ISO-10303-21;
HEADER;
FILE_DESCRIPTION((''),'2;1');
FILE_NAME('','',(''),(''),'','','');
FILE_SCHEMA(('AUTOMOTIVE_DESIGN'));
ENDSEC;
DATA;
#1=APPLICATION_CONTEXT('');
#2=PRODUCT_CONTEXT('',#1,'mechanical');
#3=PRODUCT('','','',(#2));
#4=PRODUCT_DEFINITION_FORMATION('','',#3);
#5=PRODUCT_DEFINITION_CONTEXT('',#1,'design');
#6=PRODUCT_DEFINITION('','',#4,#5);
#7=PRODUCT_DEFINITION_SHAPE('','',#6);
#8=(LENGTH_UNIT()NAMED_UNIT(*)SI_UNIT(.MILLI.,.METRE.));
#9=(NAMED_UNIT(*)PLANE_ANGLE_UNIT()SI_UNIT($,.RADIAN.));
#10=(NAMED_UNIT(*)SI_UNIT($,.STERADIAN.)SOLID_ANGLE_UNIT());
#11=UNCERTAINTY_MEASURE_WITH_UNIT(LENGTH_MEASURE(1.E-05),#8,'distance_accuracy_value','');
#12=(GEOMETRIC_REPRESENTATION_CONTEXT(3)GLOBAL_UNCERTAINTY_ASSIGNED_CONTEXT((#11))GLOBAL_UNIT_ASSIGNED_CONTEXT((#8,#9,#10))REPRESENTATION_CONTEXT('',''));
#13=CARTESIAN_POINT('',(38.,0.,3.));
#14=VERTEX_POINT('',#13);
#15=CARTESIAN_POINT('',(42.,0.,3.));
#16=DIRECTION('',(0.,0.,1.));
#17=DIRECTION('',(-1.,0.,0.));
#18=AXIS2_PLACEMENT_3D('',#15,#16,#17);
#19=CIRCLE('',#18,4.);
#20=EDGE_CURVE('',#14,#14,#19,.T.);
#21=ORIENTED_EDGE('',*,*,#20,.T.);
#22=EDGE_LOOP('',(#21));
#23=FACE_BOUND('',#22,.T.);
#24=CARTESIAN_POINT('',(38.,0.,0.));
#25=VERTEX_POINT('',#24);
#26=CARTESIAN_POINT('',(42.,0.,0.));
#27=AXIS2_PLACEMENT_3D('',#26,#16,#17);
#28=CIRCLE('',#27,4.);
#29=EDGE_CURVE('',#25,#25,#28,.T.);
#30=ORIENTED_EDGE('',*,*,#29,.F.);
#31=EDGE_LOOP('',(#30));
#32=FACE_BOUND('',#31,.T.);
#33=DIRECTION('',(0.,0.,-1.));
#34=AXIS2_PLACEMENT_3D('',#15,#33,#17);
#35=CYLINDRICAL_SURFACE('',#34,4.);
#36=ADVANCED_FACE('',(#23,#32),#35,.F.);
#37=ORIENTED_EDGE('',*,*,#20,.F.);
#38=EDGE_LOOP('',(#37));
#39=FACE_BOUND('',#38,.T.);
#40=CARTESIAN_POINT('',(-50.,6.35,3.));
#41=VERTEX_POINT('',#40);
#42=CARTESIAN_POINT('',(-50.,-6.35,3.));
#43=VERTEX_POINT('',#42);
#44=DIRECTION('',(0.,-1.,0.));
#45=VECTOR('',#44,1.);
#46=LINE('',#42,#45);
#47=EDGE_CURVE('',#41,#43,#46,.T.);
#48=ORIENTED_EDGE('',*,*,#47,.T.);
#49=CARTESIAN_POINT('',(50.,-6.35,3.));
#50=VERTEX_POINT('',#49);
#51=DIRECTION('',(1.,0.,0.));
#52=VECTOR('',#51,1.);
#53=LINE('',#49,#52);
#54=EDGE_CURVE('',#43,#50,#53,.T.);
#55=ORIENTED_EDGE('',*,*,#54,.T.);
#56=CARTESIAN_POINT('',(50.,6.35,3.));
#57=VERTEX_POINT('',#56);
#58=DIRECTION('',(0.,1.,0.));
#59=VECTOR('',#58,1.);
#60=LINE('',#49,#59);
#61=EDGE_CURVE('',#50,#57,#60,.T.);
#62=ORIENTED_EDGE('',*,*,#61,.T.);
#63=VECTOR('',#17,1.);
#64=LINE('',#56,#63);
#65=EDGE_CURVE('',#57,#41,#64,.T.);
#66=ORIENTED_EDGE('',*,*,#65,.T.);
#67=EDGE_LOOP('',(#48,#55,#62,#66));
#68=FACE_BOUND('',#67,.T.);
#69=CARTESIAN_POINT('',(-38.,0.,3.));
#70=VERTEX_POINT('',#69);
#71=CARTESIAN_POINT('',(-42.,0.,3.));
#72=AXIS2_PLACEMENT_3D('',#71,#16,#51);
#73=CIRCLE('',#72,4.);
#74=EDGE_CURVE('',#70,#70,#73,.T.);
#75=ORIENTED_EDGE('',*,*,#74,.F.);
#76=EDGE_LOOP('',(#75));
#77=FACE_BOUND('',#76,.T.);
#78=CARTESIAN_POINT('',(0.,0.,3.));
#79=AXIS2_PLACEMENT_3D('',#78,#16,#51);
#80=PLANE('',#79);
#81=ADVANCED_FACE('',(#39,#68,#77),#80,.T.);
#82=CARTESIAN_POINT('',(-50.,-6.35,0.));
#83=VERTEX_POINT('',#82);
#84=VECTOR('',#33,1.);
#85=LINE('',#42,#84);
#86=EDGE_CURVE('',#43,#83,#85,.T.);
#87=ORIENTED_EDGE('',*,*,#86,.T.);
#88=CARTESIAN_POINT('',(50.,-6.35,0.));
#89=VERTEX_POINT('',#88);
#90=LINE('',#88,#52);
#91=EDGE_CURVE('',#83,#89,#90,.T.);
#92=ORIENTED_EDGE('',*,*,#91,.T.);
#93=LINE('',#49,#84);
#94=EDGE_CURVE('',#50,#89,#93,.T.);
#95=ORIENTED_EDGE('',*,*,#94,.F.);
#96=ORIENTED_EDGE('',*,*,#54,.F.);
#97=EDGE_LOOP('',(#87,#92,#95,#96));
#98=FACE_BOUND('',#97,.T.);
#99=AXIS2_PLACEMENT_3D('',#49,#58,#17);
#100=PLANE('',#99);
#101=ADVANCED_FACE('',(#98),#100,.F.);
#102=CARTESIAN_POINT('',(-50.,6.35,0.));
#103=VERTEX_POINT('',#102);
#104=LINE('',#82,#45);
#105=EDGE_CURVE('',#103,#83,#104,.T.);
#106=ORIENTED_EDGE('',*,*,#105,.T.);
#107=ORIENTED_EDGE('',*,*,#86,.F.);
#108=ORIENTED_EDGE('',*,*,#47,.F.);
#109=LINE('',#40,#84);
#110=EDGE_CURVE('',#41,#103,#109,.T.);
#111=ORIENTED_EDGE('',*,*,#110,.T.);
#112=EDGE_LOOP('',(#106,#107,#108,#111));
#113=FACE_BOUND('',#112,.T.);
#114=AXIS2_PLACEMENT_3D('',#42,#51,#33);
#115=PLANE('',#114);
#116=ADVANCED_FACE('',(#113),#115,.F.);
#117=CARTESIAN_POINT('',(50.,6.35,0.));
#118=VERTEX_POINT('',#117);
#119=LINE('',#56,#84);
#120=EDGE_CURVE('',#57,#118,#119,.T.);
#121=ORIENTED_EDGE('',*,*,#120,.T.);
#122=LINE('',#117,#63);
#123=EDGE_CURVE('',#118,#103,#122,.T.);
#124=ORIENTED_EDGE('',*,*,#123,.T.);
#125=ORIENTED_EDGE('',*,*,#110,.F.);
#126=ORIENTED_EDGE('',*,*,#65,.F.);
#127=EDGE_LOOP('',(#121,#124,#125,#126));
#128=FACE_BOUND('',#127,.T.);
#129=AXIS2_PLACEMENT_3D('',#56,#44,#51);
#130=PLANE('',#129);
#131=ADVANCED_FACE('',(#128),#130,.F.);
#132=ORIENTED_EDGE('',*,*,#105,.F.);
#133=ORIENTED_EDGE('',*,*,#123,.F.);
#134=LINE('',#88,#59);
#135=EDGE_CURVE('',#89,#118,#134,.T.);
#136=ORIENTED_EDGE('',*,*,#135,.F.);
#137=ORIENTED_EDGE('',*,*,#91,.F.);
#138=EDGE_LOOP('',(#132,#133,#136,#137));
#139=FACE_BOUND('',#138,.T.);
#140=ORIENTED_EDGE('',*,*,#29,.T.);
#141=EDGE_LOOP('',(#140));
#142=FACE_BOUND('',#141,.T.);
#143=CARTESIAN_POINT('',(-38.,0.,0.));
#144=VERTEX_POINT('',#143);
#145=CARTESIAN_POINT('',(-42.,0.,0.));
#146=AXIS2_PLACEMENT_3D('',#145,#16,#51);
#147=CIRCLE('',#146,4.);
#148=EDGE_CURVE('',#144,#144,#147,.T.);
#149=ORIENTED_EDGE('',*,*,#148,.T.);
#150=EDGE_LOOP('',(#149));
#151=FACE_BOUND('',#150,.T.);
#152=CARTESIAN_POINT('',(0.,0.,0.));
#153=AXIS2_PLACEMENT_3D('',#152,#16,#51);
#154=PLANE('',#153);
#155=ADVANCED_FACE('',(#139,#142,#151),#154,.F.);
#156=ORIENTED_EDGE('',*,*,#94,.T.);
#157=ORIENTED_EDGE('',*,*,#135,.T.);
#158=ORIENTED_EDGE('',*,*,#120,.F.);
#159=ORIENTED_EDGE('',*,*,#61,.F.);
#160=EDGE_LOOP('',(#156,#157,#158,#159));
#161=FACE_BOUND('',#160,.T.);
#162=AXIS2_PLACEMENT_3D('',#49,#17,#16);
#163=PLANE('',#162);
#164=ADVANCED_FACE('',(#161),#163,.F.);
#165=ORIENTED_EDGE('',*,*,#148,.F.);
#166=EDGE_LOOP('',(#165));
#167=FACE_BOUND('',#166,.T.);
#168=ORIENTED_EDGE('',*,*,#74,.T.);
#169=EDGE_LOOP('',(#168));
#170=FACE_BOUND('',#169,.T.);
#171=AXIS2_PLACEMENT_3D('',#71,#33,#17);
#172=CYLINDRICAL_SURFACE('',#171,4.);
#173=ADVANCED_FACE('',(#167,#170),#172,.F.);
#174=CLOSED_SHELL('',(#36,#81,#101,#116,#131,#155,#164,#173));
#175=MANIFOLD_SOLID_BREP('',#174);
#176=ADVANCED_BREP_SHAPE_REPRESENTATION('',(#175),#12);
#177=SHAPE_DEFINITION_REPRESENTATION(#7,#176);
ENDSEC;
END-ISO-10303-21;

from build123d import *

# Parameters (mm, degrees)
CROQUIS1_W              = 100
CROQUIS1_H              = 12.7
CROQUIS1_R              = 4
SALIENTE_EXTRUIR1_DEPTH = 3


with BuildPart() as part:
    # Croquis1 → Saliente-Extruir1 (new body)
    with BuildSketch(Plane.XY):
        Rectangle(CROQUIS1_W, CROQUIS1_H)
        with Locations((-42, 0)):
            Circle(CROQUIS1_R, mode=Mode.SUBTRACT)
        with Locations(Location((42, 0, 0), (0, 0, 180))):
            Circle(CROQUIS1_R, mode=Mode.SUBTRACT)
    extrude(amount=SALIENTE_EXTRUIR1_DEPTH)


solid = part.part
